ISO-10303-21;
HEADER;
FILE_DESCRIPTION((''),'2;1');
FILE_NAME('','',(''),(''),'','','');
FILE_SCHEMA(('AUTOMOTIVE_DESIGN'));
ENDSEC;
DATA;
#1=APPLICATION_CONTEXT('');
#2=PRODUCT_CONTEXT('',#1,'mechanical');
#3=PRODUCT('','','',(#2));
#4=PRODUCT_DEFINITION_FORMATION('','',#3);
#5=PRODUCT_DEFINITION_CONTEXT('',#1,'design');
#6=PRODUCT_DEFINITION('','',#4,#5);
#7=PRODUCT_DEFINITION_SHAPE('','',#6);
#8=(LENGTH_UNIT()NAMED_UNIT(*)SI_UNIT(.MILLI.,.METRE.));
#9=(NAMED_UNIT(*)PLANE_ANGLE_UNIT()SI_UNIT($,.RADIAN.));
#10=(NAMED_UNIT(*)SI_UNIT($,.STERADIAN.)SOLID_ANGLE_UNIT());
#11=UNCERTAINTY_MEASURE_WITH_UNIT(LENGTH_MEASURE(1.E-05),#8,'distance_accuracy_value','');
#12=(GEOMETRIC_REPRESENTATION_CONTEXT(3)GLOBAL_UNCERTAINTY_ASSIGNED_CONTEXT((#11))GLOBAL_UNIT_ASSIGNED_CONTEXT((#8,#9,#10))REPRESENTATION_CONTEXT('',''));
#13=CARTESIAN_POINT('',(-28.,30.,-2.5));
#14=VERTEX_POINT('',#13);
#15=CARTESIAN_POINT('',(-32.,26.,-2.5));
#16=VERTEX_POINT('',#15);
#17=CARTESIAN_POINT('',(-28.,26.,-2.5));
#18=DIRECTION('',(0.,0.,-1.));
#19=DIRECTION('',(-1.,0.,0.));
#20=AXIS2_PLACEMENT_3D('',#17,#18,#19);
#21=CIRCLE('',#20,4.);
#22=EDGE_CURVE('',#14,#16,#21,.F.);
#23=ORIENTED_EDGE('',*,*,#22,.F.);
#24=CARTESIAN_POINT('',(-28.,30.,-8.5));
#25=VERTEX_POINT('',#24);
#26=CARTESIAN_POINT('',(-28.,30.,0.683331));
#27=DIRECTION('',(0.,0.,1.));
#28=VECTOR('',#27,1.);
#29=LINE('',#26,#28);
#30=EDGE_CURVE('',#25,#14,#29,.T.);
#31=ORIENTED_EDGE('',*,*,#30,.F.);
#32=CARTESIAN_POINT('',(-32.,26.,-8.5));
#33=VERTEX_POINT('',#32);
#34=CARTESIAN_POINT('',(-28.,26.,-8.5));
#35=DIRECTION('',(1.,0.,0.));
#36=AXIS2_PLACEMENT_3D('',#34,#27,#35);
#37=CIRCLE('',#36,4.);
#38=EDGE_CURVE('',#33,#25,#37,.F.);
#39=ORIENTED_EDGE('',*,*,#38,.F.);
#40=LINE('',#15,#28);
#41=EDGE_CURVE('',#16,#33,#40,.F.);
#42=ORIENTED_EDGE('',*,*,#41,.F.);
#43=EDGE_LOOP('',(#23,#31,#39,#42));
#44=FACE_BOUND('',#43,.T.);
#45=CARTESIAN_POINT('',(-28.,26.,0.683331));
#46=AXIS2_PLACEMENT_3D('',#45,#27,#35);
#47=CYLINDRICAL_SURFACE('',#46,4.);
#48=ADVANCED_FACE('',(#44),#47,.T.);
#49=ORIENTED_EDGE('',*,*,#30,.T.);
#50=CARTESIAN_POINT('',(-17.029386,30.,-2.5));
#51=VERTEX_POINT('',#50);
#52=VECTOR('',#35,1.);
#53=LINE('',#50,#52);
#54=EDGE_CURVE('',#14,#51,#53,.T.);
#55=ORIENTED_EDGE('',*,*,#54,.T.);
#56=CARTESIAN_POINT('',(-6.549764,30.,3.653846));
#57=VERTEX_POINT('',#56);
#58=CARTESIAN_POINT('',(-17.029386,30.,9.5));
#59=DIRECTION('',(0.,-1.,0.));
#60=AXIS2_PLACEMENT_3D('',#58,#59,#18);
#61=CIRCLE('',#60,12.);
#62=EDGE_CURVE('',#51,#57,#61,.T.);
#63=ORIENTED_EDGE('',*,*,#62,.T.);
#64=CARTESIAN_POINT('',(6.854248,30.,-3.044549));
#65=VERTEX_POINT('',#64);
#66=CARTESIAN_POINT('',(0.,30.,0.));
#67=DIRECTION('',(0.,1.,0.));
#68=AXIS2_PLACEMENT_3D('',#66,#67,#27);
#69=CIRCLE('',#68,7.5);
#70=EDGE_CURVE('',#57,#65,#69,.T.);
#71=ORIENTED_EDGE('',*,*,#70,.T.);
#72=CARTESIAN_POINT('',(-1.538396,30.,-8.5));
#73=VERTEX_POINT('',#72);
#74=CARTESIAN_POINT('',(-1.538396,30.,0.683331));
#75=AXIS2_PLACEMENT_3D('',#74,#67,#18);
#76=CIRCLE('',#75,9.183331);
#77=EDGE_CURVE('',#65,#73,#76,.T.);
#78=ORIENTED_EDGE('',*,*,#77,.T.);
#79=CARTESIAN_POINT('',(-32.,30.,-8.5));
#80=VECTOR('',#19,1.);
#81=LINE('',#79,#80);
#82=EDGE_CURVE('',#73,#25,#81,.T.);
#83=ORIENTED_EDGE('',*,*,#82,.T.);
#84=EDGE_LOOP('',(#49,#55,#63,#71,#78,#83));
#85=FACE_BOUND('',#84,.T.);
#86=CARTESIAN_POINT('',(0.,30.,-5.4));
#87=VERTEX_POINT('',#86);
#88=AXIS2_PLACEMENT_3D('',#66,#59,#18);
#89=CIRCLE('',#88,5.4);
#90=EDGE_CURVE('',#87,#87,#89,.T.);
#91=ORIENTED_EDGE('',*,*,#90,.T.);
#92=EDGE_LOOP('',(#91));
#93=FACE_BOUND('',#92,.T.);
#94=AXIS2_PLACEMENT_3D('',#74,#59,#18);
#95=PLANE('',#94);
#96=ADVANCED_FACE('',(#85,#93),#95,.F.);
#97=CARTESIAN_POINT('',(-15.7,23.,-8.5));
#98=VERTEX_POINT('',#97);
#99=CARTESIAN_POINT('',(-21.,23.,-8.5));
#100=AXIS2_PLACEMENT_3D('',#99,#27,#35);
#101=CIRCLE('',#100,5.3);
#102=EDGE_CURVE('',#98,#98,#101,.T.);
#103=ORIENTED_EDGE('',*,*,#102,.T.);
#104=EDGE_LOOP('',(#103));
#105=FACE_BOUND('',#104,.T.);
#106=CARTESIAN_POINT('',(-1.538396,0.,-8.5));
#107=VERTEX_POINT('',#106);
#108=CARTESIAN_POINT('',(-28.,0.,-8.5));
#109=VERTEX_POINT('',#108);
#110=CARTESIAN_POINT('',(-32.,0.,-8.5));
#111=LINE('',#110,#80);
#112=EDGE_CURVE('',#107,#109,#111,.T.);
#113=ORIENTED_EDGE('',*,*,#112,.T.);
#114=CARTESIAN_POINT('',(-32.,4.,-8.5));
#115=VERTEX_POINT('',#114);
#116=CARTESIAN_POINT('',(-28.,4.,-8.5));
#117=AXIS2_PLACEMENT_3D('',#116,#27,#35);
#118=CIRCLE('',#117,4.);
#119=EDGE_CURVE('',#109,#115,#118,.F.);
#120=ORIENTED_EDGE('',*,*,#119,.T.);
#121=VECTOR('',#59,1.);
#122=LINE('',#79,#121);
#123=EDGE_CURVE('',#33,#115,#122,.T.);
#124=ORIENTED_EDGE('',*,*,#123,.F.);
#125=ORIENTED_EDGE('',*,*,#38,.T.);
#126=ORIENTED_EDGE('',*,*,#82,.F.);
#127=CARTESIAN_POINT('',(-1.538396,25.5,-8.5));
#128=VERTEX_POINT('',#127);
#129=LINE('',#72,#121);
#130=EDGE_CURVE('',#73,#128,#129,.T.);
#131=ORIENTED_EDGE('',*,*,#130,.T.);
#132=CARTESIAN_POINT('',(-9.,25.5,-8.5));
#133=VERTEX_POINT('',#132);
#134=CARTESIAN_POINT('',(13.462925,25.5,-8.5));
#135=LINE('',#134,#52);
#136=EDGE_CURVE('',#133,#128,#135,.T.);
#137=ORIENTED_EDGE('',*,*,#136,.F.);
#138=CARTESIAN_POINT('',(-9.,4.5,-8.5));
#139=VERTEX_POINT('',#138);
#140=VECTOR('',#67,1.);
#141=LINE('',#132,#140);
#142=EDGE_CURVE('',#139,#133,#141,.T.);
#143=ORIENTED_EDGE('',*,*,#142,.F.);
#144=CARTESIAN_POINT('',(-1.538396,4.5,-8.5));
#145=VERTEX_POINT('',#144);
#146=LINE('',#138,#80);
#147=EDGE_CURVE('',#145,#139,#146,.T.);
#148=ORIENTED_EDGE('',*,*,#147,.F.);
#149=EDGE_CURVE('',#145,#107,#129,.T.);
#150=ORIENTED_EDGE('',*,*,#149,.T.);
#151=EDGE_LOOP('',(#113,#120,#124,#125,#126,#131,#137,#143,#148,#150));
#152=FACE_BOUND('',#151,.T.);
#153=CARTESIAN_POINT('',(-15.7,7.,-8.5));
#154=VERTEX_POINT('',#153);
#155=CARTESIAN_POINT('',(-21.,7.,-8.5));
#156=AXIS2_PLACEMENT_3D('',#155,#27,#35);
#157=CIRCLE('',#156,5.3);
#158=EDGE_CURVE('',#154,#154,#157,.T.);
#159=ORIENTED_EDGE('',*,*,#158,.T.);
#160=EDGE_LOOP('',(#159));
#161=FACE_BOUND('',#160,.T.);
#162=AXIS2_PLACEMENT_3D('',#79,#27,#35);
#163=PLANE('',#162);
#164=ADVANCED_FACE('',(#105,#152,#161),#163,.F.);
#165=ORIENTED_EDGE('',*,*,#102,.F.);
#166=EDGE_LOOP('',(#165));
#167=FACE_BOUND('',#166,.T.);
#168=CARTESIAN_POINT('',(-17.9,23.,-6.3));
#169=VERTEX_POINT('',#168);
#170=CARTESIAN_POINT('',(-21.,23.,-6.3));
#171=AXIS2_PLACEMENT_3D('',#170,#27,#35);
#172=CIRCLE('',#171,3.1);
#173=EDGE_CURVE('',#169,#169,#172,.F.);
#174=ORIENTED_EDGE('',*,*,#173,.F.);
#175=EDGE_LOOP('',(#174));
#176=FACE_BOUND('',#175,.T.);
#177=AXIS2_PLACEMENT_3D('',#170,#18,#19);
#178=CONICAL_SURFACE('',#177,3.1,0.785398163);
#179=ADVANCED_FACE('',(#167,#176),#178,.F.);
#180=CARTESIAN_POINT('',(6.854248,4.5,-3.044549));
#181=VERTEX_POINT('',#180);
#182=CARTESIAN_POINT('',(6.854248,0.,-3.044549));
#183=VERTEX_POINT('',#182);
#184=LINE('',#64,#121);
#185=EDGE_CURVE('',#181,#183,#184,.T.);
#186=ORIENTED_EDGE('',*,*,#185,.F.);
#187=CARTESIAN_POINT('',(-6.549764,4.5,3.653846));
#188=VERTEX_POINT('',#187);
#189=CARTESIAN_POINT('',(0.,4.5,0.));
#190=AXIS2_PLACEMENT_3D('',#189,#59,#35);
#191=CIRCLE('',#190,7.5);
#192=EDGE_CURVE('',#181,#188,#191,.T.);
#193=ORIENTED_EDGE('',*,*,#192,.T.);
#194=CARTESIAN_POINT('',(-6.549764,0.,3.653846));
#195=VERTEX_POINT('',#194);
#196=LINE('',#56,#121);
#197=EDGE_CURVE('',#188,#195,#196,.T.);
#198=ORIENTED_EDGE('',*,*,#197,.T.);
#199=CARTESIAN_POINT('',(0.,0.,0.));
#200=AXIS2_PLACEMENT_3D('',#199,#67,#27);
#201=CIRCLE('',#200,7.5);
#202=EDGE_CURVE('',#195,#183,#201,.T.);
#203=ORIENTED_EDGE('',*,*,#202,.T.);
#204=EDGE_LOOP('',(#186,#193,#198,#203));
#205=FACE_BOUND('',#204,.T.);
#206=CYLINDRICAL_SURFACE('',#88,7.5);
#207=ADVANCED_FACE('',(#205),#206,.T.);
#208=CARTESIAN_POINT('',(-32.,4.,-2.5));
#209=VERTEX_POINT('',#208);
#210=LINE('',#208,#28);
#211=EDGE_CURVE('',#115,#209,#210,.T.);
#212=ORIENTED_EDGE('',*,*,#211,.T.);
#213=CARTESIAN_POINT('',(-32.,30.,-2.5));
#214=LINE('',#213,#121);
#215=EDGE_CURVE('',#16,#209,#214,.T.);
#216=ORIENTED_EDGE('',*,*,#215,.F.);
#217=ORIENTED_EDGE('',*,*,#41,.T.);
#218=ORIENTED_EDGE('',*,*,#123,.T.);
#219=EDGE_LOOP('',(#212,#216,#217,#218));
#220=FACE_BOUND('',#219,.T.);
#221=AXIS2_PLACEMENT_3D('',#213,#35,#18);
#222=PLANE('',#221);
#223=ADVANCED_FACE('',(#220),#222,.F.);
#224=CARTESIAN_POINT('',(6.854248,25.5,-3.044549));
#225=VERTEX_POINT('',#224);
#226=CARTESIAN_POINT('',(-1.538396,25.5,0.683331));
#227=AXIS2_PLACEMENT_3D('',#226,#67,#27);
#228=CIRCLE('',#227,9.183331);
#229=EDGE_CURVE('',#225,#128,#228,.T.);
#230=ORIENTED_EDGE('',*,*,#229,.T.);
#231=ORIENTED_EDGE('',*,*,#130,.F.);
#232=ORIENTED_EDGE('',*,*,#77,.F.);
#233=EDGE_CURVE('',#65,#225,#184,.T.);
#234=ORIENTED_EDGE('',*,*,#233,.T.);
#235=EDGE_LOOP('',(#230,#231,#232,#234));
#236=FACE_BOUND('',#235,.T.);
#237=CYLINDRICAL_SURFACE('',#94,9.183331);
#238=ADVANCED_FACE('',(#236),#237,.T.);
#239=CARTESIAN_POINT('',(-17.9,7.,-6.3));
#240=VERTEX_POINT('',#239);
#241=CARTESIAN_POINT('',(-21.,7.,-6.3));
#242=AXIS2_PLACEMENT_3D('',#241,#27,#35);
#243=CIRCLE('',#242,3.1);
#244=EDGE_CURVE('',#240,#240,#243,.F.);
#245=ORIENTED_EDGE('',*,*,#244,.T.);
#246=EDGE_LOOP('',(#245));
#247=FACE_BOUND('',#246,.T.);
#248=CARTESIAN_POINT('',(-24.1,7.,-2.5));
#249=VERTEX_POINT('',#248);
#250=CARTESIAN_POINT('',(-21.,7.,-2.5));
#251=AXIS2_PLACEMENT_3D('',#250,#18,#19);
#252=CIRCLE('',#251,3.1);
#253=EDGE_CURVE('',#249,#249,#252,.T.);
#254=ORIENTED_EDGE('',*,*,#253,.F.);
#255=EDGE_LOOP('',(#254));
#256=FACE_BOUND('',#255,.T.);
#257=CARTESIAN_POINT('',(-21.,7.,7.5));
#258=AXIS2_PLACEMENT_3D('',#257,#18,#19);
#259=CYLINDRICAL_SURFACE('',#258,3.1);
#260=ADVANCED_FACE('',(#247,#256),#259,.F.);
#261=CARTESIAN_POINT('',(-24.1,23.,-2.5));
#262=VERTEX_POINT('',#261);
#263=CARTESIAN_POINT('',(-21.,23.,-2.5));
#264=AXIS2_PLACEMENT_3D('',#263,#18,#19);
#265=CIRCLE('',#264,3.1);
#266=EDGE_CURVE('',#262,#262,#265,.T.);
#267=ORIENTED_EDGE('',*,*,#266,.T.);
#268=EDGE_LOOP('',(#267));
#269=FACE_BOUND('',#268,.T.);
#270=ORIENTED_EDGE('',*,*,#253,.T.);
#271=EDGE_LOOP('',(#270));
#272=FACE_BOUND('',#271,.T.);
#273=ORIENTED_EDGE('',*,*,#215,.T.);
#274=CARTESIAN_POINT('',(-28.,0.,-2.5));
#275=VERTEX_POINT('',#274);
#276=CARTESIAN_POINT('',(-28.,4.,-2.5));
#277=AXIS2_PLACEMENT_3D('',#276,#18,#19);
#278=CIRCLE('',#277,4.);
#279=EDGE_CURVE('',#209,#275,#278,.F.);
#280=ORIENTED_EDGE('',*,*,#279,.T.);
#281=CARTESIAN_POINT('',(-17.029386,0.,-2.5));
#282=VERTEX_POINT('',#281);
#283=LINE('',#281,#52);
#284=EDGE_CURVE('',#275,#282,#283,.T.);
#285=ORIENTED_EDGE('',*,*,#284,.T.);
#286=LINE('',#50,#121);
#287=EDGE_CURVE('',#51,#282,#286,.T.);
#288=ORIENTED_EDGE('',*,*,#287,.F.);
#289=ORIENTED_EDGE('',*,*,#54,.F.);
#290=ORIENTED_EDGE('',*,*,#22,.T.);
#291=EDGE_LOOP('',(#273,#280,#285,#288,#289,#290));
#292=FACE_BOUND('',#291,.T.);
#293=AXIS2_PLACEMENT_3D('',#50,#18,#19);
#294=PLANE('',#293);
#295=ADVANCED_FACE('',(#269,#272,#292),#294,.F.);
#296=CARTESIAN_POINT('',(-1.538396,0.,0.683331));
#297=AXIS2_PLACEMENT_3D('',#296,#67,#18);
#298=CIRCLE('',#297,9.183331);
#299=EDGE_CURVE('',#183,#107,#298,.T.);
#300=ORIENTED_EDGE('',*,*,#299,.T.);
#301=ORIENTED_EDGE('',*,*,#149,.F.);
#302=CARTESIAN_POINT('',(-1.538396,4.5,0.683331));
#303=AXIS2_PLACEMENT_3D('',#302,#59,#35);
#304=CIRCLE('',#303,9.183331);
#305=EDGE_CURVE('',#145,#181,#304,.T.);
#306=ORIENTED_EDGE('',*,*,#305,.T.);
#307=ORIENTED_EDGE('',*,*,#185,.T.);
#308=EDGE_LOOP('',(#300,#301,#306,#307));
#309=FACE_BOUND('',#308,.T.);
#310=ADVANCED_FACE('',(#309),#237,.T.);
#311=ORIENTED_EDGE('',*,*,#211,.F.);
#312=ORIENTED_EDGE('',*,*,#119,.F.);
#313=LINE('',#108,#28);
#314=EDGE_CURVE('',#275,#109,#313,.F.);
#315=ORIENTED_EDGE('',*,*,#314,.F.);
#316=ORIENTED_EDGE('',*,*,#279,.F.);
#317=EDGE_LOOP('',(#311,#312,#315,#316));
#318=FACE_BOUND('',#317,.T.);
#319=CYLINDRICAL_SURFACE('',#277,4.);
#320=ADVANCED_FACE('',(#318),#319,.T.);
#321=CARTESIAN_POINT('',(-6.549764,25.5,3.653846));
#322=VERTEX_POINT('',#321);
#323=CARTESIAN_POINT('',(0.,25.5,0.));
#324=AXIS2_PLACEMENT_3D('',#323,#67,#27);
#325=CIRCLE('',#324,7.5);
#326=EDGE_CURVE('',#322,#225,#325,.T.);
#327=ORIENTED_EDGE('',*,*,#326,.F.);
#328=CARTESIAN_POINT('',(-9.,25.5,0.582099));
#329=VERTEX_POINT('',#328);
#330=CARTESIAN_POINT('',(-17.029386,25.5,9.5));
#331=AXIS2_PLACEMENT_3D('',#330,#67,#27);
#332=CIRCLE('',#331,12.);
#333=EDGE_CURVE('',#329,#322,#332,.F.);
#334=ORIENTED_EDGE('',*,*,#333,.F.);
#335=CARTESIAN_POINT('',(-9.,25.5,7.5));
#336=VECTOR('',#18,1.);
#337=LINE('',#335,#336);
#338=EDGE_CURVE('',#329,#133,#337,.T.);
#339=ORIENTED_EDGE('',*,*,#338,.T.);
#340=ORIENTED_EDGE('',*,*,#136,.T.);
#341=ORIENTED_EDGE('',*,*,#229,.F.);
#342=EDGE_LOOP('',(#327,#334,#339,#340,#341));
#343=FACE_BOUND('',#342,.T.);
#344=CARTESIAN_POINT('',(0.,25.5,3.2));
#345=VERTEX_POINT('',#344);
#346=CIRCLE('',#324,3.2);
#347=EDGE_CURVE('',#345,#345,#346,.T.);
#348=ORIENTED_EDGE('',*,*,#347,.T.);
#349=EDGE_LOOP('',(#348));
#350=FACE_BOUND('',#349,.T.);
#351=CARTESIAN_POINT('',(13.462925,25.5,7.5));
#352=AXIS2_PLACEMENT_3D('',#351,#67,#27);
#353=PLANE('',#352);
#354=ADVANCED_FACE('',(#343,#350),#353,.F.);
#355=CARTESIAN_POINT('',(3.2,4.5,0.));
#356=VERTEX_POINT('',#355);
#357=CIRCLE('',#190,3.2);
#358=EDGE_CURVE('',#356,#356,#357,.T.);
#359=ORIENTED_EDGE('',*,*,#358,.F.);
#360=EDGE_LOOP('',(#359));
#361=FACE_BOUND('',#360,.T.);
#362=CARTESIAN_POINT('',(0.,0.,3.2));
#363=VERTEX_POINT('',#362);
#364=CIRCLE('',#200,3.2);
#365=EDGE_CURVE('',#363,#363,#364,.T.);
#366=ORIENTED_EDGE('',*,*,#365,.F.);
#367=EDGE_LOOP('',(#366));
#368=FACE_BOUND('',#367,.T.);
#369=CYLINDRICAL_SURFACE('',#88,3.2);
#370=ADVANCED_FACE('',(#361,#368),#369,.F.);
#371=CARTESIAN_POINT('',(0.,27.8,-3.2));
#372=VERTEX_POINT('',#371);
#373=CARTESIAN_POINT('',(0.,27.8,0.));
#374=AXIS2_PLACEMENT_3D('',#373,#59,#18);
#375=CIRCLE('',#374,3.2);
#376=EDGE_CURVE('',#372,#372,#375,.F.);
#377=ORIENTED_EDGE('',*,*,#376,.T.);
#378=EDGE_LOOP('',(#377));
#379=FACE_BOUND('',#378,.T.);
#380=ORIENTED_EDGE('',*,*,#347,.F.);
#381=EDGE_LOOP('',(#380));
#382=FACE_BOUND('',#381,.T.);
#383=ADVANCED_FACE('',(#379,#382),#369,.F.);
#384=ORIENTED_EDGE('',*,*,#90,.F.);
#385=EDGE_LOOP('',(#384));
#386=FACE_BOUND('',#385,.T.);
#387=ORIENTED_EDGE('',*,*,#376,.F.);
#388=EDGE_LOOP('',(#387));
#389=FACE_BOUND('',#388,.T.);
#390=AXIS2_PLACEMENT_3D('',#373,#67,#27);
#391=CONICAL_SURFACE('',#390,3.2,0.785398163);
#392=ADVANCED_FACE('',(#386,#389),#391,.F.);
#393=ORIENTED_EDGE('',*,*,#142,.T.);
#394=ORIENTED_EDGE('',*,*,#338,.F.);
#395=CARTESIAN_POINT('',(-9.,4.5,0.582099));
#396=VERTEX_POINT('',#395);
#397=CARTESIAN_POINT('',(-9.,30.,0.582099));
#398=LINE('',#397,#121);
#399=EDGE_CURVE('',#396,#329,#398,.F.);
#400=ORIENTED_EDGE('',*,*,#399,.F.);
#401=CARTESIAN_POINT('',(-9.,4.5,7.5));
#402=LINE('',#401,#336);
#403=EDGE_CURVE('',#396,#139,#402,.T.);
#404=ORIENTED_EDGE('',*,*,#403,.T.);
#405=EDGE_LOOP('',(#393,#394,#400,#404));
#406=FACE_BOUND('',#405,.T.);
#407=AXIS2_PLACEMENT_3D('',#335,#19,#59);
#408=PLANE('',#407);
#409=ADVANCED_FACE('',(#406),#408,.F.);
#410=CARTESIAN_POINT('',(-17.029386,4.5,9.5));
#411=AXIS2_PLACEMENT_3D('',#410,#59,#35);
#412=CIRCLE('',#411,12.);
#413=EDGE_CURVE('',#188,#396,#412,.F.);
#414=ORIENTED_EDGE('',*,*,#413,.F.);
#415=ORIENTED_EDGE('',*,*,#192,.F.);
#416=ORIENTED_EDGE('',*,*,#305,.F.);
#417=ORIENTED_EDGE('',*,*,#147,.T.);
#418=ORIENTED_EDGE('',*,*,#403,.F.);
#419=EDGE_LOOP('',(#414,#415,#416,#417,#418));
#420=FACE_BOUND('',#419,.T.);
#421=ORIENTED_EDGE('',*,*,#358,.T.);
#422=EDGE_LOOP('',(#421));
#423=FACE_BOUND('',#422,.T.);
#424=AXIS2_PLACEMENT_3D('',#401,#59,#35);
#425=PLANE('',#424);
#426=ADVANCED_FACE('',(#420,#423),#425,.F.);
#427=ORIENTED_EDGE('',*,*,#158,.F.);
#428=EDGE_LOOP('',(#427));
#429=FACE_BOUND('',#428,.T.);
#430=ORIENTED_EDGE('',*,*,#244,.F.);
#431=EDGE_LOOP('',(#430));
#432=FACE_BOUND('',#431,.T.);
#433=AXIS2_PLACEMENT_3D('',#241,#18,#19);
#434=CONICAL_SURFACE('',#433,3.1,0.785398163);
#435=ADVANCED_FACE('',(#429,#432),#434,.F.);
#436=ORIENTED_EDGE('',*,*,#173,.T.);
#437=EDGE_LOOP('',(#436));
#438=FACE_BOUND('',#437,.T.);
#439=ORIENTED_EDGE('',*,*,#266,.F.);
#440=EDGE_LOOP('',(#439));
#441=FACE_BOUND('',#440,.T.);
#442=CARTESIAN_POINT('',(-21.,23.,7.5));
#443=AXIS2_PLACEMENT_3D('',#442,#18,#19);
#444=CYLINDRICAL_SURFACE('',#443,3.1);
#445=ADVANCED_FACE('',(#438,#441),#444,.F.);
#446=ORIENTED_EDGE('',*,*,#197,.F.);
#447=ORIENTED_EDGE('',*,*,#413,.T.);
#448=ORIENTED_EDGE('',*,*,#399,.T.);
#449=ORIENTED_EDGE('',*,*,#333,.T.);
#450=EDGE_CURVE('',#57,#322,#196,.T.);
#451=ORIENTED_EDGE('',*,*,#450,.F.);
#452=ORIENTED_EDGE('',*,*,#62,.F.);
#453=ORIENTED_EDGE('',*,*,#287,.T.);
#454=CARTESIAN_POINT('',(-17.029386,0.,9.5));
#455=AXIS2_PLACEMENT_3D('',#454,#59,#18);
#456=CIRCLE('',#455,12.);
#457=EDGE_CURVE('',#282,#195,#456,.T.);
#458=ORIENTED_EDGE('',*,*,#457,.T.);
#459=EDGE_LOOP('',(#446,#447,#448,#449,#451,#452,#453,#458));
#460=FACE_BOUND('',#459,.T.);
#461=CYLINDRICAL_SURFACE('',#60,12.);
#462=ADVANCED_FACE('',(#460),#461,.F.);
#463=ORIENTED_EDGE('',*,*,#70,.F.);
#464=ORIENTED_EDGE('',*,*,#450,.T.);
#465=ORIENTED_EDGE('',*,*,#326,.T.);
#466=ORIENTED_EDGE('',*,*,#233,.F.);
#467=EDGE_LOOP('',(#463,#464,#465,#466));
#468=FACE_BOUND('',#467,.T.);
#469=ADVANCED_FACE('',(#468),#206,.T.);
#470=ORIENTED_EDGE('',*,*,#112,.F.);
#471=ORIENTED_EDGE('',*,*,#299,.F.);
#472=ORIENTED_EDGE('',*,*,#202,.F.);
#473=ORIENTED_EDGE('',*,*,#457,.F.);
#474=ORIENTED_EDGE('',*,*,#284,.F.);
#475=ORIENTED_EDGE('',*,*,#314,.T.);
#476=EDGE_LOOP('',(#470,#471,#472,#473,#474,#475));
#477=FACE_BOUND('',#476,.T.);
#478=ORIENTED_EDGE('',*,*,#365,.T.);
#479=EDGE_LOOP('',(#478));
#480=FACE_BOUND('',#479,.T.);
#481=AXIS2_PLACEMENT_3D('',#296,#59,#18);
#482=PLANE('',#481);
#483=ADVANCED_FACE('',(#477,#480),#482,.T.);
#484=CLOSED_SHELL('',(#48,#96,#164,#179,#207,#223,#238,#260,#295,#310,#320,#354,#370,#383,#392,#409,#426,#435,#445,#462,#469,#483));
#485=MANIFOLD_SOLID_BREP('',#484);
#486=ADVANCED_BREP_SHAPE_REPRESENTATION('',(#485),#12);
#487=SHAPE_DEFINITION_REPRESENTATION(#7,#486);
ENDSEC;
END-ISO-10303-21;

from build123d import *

# Parameters (mm, degrees)
SKETCH_1_R          = 3.2
EXTRUDE_1_DEPTH     = 30
FILLET_1_R          = 4
SKETCH_2_R          = 3.1
CUT_EXTRUDE_1_DEPTH = 47.69047012
SKETCH_3_W          = 22.462925105
SKETCH_3_H          = 21
CUT_EXTRUDE_2_DEPTH = 47.69047012
CHAMFER_1_SIZE      = 2.2
CHAMFER_2_SIZE      = 2.2
CHAMFER_3_SIZE      = 2.2


with BuildPart() as part:
    # Эскиз1 → Бобышка-Вытянуть1 (new body)
    with BuildSketch(Plane(origin=(0, 0, 0), x_dir=(1, 0, 0), z_dir=(0, 1, 0))):
        with BuildLine():
            Line((-32, 8.5), (-1.538396133, 8.5))
            ThreePointArc((-1.538396133, 8.5), (3.466562042, 7.016276971), (6.85424835, 3.044549155))
            ThreePointArc((6.85424835, 3.044549155), (3.352656053, -6.708926694), (-6.549763987, -3.653846154))
            ThreePointArc((-6.549763987, -3.653846154), (-10.952950163, 0.847797982), (-17.029386366, 2.5))
            Line((-17.029386366, 2.5), (-32, 2.5))
            Line((-32, 2.5), (-32, 8.5))
        make_face()
        with Locations(Location((0, 0, 0), (0, 0, 270))):
            Circle(SKETCH_1_R, mode=Mode.SUBTRACT)
    extrude(amount=EXTRUDE_1_DEPTH)

    # Скругление1
    fillet_1_edges = [part.edges().sort_by_distance(p)[0] for p in [
        (-32, 30, -5.5),
        (-32, 0, -5.5),
    ]]
    fillet(fillet_1_edges, radius=FILLET_1_R)

    # Эскиз2 → Вырез-Вытянуть1 (cut, through all)
    with BuildSketch(Plane(origin=(0, 0, -8.5), x_dir=(-1, 0, 0), z_dir=(0, 0, -1))):
        with Locations((21, 23)):
            Circle(SKETCH_2_R)
        with Locations((21, 7)):
            Circle(SKETCH_2_R)
    extrude(amount=-CUT_EXTRUDE_1_DEPTH, mode=Mode.SUBTRACT)

    # Эскиз3 → Вырез-Вытянуть2 (cut, through all)
    with BuildSketch(Plane(origin=(0, 0, -8.5), x_dir=(-1, 0, 0), z_dir=(0, 0, -1))):
        with Locations((-2.231462553, 15)):
            Rectangle(SKETCH_3_W, SKETCH_3_H)
    extrude(amount=-CUT_EXTRUDE_2_DEPTH, mode=Mode.SUBTRACT)

    # Фаска1
    chamfer_1_edges = [part.edges().sort_by_distance(p)[0] for p in [
        (0, 30, -3.2),
    ]]
    chamfer(chamfer_1_edges, length=CHAMFER_1_SIZE)

    # Фаска2
    chamfer_2_edges = [part.edges().sort_by_distance(p)[0] for p in [
        (-17.9, 23, -8.5),
    ]]
    chamfer(chamfer_2_edges, length=CHAMFER_2_SIZE)

    # Фаска3
    chamfer_3_edges = [part.edges().sort_by_distance(p)[0] for p in [
        (-17.9, 7, -8.5),
    ]]
    chamfer(chamfer_3_edges, length=CHAMFER_3_SIZE)


solid = part.part
